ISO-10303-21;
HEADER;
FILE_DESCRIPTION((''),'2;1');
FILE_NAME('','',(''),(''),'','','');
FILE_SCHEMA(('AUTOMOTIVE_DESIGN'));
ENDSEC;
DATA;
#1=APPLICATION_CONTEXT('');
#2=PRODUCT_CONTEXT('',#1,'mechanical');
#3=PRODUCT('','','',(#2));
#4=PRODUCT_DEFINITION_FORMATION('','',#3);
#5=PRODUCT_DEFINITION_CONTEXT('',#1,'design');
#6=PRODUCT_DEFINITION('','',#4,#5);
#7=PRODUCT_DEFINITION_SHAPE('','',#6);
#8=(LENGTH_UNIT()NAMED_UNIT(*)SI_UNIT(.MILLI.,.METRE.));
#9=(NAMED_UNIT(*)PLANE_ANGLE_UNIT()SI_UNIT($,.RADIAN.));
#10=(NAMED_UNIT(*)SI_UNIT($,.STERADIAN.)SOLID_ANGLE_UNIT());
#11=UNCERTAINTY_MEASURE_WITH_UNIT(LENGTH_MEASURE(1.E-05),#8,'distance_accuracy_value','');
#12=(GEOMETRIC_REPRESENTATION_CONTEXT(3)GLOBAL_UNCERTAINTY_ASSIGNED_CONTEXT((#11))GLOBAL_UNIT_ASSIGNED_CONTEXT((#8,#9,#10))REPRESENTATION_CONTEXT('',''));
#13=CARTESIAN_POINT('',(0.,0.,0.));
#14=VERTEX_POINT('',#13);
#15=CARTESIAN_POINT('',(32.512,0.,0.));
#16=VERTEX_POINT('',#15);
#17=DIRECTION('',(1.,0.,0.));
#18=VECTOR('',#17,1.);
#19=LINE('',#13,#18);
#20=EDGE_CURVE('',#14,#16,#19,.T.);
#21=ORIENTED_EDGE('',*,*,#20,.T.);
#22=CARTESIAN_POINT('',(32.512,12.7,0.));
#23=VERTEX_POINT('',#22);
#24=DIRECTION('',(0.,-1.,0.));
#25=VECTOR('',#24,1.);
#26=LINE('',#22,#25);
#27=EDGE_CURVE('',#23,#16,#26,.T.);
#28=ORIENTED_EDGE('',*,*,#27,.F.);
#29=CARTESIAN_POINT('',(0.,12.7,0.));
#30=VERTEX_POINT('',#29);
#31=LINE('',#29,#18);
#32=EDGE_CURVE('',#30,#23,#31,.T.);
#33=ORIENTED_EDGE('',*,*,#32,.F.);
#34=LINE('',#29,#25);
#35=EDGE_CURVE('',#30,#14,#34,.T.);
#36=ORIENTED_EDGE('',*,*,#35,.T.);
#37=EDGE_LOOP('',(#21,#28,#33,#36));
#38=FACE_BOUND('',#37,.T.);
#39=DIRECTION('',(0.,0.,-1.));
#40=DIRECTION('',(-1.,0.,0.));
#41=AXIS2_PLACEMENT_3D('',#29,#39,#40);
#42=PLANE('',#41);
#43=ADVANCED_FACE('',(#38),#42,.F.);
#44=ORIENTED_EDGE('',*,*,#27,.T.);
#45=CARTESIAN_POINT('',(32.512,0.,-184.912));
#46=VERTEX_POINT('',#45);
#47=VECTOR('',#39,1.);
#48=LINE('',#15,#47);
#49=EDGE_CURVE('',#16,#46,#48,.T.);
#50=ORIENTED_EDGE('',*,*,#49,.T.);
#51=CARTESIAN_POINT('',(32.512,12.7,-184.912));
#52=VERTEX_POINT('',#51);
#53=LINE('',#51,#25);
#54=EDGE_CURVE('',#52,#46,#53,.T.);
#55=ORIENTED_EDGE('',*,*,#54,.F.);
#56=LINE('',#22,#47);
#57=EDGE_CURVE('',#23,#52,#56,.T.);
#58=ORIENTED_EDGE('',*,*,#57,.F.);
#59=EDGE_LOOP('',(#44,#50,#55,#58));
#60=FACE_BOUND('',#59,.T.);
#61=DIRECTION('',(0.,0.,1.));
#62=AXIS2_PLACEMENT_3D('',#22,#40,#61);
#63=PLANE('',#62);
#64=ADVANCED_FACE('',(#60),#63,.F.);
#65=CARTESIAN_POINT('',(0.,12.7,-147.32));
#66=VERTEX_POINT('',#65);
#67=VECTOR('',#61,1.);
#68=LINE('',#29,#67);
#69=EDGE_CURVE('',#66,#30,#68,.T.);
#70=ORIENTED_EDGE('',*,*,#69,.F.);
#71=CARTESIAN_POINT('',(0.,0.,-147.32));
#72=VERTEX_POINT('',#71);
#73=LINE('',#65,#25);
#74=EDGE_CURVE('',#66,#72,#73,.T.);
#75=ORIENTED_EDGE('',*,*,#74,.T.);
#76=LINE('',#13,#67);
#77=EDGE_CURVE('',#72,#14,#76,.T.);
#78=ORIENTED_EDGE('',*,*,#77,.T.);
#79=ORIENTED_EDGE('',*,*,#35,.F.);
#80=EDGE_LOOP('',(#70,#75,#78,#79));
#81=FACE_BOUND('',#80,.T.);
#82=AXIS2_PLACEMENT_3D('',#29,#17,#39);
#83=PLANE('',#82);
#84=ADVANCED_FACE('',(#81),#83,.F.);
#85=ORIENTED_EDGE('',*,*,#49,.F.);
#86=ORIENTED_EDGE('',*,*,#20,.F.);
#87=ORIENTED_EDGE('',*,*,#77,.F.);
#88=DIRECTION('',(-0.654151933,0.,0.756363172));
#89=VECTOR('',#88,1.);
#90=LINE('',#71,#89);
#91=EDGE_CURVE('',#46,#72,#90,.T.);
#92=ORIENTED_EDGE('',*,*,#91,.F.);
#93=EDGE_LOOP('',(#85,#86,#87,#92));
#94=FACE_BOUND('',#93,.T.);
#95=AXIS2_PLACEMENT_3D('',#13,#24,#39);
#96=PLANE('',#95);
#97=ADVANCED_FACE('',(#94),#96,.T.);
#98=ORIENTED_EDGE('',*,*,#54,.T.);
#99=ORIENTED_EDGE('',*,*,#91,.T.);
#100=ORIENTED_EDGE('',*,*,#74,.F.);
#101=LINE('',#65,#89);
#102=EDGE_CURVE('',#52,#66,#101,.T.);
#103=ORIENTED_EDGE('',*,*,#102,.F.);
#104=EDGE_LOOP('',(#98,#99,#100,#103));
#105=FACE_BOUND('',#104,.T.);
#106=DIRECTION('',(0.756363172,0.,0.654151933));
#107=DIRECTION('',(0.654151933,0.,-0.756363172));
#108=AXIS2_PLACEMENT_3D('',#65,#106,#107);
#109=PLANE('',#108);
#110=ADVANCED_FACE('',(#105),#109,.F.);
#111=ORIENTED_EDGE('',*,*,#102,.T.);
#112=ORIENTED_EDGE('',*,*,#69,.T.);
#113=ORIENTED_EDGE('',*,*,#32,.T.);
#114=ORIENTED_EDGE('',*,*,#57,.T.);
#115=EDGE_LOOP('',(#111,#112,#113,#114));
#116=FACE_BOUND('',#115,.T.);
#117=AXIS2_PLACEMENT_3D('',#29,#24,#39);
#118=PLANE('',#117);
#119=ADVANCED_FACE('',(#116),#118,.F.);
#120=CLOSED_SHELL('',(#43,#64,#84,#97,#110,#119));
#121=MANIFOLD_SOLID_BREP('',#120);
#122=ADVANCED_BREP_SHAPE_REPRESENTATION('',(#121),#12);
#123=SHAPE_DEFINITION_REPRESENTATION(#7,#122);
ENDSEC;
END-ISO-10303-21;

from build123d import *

# Parameters (mm, degrees)
BOSS_EXTRUDE1_DEPTH = 12.7


with BuildPart() as part:
    # Sketch1 → Boss-Extrude1 (new body)
    with BuildSketch(Plane(origin=(0, 0, 0), x_dir=(1, 0, 0), z_dir=(0, 1, 0))):
        Polygon((0, 0), (32.512, 0), (32.512, 184.912), (0, 147.32), align=None)
    extrude(amount=BOSS_EXTRUDE1_DEPTH)


solid = part.part
